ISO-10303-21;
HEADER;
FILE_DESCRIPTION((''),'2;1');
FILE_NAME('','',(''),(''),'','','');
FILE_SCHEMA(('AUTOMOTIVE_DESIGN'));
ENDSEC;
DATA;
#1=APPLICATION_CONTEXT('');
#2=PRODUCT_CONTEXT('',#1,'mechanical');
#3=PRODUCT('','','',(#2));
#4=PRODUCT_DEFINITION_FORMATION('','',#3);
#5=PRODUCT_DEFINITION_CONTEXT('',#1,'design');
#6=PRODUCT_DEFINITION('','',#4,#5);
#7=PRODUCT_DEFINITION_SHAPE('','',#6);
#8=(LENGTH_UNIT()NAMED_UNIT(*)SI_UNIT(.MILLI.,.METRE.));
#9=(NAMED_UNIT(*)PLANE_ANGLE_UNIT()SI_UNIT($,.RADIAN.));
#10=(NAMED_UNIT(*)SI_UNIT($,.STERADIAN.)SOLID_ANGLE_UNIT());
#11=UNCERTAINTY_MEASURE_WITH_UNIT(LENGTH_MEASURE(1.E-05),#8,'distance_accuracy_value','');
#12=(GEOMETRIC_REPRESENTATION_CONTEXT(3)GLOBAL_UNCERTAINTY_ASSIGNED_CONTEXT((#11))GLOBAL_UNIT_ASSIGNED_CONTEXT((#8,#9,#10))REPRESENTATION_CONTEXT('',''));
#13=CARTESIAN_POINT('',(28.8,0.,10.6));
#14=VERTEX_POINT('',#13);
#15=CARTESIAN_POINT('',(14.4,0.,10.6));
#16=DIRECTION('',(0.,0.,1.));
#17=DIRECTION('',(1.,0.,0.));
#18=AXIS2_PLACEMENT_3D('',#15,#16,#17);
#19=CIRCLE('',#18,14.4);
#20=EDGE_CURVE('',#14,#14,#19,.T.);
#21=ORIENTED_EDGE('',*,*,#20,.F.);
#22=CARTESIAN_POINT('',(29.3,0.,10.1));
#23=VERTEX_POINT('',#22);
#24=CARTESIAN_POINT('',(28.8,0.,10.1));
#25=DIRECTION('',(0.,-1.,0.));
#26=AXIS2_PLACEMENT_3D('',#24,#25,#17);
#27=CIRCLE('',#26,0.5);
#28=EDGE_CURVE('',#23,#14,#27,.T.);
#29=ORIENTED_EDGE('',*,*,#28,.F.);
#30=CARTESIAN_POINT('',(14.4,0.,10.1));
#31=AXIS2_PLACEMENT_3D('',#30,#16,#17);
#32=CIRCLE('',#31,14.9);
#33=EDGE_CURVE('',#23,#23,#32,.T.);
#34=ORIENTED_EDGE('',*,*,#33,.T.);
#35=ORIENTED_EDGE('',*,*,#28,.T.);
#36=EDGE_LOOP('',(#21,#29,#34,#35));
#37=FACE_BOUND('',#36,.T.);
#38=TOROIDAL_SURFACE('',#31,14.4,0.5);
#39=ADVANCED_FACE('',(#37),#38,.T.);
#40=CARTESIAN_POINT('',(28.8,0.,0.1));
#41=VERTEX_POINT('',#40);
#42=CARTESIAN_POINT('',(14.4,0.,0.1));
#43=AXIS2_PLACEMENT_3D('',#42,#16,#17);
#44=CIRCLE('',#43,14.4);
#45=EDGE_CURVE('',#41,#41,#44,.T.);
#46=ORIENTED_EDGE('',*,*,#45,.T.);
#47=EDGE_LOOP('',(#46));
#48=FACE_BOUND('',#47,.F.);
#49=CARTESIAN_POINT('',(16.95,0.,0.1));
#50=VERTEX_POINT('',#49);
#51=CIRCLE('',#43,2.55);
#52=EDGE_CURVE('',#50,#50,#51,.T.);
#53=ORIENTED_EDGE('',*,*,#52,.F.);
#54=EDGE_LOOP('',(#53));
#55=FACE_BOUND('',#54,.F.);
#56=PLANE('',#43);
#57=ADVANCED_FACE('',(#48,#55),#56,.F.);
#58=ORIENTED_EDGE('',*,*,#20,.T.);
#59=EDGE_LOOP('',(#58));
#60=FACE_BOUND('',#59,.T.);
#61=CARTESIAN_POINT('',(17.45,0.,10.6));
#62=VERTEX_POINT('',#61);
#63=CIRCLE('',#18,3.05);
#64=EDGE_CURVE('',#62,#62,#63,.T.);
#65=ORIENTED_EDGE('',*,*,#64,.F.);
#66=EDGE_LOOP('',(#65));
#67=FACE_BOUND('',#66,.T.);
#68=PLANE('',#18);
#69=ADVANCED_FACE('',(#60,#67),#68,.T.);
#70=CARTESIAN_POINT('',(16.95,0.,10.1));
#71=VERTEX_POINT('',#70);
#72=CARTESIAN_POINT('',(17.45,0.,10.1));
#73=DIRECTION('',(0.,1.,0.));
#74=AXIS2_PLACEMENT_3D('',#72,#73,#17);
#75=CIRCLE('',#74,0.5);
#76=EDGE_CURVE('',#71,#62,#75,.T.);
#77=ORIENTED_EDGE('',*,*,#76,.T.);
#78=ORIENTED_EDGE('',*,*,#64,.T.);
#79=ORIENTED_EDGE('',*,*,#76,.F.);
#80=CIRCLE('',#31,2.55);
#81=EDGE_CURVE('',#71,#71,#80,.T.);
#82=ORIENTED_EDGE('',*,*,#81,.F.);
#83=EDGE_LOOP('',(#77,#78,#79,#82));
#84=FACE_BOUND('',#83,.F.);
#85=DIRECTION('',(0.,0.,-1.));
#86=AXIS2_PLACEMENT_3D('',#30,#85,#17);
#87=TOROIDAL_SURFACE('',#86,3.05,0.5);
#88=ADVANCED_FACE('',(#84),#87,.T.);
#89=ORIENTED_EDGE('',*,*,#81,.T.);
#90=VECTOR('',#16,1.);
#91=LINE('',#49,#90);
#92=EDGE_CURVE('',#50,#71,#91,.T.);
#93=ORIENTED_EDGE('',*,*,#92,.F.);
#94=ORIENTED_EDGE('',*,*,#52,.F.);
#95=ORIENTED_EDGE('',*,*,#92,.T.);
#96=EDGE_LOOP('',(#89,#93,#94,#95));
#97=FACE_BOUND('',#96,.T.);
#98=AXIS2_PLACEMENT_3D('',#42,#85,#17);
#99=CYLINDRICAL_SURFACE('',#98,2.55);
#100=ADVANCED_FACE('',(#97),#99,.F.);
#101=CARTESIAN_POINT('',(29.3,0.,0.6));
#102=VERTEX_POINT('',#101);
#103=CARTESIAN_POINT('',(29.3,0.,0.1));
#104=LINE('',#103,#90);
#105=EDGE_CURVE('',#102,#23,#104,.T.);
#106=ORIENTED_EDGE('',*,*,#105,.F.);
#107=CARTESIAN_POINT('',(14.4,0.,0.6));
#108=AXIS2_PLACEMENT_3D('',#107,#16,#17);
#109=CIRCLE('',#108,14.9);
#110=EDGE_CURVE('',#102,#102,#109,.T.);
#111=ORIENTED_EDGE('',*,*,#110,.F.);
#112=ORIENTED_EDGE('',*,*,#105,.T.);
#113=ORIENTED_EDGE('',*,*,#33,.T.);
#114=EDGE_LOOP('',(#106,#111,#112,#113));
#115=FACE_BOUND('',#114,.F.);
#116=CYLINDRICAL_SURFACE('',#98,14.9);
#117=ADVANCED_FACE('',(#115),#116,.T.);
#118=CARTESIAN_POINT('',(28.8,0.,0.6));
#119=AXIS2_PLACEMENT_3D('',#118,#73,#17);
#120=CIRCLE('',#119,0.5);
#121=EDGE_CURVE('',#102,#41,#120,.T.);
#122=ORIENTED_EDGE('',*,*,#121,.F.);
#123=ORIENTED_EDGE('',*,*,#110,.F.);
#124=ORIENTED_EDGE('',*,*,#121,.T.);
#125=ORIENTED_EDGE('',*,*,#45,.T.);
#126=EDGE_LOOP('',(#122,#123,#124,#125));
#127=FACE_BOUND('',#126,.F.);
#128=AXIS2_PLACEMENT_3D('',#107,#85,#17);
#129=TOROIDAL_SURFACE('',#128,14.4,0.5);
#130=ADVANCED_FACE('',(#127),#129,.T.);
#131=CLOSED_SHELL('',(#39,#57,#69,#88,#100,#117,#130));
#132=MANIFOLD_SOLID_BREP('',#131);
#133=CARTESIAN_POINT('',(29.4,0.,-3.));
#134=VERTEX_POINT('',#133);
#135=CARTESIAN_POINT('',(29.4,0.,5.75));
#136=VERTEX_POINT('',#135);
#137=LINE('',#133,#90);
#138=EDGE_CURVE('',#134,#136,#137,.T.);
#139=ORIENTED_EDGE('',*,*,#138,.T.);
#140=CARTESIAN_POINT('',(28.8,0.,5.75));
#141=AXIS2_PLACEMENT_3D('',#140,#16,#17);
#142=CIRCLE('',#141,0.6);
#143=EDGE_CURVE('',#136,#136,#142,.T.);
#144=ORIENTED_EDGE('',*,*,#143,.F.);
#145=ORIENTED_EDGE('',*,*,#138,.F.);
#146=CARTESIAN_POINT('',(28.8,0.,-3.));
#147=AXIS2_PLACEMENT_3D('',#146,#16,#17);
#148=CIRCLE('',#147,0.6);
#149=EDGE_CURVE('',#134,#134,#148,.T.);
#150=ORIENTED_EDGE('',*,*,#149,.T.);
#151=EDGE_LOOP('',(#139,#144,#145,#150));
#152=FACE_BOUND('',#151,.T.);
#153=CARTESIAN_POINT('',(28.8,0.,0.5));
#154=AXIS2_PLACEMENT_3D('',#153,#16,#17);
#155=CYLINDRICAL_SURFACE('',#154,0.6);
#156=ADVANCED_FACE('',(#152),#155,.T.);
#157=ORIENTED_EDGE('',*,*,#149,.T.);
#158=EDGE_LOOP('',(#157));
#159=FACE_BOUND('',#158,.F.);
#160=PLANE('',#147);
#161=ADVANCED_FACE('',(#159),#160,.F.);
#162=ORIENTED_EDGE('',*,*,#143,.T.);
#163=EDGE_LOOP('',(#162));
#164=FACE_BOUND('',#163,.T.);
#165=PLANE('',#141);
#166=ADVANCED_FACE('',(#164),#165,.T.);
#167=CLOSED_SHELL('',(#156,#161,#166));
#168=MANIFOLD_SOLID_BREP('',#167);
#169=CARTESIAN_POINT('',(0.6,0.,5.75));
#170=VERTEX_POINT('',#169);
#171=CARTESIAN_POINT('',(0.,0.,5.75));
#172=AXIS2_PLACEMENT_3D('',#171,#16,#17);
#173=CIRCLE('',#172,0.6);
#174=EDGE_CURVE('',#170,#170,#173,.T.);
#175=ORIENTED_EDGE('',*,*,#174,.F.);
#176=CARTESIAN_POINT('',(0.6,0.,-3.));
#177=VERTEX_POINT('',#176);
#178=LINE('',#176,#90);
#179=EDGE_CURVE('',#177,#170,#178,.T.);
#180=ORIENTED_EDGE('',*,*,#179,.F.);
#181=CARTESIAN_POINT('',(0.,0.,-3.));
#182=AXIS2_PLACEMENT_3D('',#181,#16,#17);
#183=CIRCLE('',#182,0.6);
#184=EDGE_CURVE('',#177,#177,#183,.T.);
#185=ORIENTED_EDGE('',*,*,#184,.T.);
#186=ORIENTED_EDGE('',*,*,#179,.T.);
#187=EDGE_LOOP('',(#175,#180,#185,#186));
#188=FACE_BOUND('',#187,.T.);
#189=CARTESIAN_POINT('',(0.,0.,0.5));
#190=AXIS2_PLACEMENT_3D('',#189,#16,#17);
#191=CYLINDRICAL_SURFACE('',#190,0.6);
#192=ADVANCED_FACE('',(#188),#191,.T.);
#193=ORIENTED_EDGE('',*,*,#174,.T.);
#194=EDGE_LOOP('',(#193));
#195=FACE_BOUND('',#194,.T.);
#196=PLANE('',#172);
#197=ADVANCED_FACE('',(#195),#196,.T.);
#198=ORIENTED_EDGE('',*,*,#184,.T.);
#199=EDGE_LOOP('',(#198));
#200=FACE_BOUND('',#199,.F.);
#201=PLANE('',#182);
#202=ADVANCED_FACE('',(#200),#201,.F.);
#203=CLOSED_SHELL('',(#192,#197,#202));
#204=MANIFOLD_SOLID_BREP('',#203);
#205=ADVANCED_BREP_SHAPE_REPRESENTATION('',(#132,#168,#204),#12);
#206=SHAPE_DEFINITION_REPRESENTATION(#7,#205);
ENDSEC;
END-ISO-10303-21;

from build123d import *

# Parameters (mm, degrees)
SKETCH001_R       = 0.6
PAD001_DEPTH      = 5.25
PAD001_DEPTH_BACK = 3.5
SKETCH_R          = 14.9
SKETCH_R_2        = 2.55
PAD_DEPTH         = 10.5
FILLET_R          = 0.5


with BuildPart() as pad001:
    # Sketch001 → Pad001 (new body, two sides)
    with BuildSketch(Plane.XY.offset(0.5)) as pad001_sk:
        Circle(SKETCH001_R)
        with Locations((28.8, 0)):
            Circle(SKETCH001_R)
    extrude(amount=PAD001_DEPTH)
    extrude(pad001_sk.sketch, amount=-PAD001_DEPTH_BACK)


with BuildPart() as fillet_body:
    # Sketch → Pad (new body)
    with BuildSketch(Plane.XY.offset(0.1)):
        with Locations((14.4, 0)):
            Circle(SKETCH_R)
        with Locations((14.4, 0)):
            Circle(SKETCH_R_2, mode=Mode.SUBTRACT)
    extrude(amount=PAD_DEPTH)

    # Fillet
    fillet_edges = [fillet_body.edges().sort_by_distance(p)[0] for p in [
        (11.85, 0, 10.6),
        (-0.5, 0, 10.6),
        (-0.5, 0, 0.1),
    ]]
    fillet(fillet_edges, radius=FILLET_R)


solid = Compound([pad001.part, fillet_body.part])
